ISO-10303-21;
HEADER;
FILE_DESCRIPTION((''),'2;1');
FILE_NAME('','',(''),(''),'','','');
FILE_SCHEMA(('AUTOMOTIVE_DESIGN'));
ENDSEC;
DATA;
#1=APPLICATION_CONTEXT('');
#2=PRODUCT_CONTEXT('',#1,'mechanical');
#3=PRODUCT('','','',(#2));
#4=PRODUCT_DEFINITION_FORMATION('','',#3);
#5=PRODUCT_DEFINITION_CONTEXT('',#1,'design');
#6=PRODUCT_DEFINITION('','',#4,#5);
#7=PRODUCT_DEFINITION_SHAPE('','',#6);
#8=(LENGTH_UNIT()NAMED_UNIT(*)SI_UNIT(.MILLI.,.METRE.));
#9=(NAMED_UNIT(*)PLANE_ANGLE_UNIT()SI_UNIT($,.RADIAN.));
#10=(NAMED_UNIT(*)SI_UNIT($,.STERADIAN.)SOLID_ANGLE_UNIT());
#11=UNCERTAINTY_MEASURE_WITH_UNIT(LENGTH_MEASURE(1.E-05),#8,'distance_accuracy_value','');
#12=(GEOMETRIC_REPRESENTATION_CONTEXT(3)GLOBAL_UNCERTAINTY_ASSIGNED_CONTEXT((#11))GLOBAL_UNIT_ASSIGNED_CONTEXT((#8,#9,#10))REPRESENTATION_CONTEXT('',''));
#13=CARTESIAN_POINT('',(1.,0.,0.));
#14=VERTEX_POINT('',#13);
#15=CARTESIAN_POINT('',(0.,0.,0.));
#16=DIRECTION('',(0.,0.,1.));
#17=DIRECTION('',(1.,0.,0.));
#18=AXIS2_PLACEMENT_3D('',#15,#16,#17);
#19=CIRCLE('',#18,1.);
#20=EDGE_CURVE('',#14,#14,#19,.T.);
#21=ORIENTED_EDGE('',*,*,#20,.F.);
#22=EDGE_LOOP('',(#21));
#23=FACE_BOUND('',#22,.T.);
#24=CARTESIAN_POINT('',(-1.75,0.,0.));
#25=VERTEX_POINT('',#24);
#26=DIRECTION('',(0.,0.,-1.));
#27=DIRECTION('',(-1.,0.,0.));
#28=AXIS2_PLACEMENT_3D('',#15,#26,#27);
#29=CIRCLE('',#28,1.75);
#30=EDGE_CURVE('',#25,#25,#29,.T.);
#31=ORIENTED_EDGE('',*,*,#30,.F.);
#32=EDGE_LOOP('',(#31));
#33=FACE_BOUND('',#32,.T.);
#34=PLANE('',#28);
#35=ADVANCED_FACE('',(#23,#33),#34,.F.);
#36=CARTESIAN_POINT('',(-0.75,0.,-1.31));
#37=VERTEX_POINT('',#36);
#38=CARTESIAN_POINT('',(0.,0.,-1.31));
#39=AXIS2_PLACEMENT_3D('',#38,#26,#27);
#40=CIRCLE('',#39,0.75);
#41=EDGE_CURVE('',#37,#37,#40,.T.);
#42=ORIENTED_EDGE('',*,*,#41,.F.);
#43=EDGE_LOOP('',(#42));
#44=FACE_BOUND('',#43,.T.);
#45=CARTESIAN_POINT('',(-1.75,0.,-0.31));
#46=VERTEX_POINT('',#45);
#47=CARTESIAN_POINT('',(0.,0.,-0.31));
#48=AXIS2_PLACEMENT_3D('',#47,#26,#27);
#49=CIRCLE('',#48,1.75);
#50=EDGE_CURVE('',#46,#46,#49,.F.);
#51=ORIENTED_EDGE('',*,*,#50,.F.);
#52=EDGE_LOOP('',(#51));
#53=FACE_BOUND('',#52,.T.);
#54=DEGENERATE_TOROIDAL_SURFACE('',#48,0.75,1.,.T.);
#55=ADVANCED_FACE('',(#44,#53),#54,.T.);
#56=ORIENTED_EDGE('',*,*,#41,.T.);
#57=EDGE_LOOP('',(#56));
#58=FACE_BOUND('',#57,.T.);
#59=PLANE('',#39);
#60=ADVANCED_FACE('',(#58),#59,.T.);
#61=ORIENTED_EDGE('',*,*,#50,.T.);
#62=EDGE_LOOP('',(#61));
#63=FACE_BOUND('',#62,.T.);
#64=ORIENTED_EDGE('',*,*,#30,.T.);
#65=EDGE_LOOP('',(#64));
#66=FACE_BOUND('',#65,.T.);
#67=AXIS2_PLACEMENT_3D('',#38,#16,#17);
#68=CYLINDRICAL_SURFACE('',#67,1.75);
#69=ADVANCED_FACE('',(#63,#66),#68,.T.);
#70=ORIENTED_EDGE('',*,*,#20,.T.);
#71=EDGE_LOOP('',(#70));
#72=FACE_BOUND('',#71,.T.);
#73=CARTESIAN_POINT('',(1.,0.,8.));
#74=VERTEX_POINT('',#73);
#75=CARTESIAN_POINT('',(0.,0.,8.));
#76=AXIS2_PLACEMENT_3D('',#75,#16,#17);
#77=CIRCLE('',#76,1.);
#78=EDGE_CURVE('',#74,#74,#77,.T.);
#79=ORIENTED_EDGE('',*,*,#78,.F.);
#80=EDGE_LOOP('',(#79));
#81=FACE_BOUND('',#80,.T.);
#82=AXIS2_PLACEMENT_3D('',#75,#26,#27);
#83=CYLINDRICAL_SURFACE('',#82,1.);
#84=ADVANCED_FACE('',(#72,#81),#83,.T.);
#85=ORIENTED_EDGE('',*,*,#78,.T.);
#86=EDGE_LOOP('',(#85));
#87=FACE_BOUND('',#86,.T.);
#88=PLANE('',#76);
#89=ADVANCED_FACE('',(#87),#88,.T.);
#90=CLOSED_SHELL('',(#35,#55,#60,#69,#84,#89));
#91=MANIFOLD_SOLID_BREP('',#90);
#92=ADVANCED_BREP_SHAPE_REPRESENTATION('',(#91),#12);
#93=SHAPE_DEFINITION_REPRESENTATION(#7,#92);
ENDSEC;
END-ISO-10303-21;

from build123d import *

# Parameters (mm, degrees)
SKETCH_1_R      = 1
EXTRUDE_1_DEPTH = 8
SKETCH_2_R      = 1.75
EXTRUDE_2_DEPTH = 1.31
FILLET_2_R      = 1


with BuildPart() as part:
    # 草图1 → 凸台-拉伸1 (new body)
    with BuildSketch(Plane.XY):
        Circle(SKETCH_1_R)
    extrude(amount=EXTRUDE_1_DEPTH)

    # 草图2 → 凸台-拉伸2 (add)
    with BuildSketch(Plane(origin=(0, 0, 0), x_dir=(-1, 0, 0), z_dir=(0, 0, -1))):
        Circle(SKETCH_2_R)
    extrude(amount=EXTRUDE_2_DEPTH)

    # 圆角2
    fillet_2_edges = [part.edges().sort_by_distance(p)[0] for p in [
        (1.75, 0, -1.31),
    ]]
    fillet(fillet_2_edges, radius=FILLET_2_R)


solid = part.part
